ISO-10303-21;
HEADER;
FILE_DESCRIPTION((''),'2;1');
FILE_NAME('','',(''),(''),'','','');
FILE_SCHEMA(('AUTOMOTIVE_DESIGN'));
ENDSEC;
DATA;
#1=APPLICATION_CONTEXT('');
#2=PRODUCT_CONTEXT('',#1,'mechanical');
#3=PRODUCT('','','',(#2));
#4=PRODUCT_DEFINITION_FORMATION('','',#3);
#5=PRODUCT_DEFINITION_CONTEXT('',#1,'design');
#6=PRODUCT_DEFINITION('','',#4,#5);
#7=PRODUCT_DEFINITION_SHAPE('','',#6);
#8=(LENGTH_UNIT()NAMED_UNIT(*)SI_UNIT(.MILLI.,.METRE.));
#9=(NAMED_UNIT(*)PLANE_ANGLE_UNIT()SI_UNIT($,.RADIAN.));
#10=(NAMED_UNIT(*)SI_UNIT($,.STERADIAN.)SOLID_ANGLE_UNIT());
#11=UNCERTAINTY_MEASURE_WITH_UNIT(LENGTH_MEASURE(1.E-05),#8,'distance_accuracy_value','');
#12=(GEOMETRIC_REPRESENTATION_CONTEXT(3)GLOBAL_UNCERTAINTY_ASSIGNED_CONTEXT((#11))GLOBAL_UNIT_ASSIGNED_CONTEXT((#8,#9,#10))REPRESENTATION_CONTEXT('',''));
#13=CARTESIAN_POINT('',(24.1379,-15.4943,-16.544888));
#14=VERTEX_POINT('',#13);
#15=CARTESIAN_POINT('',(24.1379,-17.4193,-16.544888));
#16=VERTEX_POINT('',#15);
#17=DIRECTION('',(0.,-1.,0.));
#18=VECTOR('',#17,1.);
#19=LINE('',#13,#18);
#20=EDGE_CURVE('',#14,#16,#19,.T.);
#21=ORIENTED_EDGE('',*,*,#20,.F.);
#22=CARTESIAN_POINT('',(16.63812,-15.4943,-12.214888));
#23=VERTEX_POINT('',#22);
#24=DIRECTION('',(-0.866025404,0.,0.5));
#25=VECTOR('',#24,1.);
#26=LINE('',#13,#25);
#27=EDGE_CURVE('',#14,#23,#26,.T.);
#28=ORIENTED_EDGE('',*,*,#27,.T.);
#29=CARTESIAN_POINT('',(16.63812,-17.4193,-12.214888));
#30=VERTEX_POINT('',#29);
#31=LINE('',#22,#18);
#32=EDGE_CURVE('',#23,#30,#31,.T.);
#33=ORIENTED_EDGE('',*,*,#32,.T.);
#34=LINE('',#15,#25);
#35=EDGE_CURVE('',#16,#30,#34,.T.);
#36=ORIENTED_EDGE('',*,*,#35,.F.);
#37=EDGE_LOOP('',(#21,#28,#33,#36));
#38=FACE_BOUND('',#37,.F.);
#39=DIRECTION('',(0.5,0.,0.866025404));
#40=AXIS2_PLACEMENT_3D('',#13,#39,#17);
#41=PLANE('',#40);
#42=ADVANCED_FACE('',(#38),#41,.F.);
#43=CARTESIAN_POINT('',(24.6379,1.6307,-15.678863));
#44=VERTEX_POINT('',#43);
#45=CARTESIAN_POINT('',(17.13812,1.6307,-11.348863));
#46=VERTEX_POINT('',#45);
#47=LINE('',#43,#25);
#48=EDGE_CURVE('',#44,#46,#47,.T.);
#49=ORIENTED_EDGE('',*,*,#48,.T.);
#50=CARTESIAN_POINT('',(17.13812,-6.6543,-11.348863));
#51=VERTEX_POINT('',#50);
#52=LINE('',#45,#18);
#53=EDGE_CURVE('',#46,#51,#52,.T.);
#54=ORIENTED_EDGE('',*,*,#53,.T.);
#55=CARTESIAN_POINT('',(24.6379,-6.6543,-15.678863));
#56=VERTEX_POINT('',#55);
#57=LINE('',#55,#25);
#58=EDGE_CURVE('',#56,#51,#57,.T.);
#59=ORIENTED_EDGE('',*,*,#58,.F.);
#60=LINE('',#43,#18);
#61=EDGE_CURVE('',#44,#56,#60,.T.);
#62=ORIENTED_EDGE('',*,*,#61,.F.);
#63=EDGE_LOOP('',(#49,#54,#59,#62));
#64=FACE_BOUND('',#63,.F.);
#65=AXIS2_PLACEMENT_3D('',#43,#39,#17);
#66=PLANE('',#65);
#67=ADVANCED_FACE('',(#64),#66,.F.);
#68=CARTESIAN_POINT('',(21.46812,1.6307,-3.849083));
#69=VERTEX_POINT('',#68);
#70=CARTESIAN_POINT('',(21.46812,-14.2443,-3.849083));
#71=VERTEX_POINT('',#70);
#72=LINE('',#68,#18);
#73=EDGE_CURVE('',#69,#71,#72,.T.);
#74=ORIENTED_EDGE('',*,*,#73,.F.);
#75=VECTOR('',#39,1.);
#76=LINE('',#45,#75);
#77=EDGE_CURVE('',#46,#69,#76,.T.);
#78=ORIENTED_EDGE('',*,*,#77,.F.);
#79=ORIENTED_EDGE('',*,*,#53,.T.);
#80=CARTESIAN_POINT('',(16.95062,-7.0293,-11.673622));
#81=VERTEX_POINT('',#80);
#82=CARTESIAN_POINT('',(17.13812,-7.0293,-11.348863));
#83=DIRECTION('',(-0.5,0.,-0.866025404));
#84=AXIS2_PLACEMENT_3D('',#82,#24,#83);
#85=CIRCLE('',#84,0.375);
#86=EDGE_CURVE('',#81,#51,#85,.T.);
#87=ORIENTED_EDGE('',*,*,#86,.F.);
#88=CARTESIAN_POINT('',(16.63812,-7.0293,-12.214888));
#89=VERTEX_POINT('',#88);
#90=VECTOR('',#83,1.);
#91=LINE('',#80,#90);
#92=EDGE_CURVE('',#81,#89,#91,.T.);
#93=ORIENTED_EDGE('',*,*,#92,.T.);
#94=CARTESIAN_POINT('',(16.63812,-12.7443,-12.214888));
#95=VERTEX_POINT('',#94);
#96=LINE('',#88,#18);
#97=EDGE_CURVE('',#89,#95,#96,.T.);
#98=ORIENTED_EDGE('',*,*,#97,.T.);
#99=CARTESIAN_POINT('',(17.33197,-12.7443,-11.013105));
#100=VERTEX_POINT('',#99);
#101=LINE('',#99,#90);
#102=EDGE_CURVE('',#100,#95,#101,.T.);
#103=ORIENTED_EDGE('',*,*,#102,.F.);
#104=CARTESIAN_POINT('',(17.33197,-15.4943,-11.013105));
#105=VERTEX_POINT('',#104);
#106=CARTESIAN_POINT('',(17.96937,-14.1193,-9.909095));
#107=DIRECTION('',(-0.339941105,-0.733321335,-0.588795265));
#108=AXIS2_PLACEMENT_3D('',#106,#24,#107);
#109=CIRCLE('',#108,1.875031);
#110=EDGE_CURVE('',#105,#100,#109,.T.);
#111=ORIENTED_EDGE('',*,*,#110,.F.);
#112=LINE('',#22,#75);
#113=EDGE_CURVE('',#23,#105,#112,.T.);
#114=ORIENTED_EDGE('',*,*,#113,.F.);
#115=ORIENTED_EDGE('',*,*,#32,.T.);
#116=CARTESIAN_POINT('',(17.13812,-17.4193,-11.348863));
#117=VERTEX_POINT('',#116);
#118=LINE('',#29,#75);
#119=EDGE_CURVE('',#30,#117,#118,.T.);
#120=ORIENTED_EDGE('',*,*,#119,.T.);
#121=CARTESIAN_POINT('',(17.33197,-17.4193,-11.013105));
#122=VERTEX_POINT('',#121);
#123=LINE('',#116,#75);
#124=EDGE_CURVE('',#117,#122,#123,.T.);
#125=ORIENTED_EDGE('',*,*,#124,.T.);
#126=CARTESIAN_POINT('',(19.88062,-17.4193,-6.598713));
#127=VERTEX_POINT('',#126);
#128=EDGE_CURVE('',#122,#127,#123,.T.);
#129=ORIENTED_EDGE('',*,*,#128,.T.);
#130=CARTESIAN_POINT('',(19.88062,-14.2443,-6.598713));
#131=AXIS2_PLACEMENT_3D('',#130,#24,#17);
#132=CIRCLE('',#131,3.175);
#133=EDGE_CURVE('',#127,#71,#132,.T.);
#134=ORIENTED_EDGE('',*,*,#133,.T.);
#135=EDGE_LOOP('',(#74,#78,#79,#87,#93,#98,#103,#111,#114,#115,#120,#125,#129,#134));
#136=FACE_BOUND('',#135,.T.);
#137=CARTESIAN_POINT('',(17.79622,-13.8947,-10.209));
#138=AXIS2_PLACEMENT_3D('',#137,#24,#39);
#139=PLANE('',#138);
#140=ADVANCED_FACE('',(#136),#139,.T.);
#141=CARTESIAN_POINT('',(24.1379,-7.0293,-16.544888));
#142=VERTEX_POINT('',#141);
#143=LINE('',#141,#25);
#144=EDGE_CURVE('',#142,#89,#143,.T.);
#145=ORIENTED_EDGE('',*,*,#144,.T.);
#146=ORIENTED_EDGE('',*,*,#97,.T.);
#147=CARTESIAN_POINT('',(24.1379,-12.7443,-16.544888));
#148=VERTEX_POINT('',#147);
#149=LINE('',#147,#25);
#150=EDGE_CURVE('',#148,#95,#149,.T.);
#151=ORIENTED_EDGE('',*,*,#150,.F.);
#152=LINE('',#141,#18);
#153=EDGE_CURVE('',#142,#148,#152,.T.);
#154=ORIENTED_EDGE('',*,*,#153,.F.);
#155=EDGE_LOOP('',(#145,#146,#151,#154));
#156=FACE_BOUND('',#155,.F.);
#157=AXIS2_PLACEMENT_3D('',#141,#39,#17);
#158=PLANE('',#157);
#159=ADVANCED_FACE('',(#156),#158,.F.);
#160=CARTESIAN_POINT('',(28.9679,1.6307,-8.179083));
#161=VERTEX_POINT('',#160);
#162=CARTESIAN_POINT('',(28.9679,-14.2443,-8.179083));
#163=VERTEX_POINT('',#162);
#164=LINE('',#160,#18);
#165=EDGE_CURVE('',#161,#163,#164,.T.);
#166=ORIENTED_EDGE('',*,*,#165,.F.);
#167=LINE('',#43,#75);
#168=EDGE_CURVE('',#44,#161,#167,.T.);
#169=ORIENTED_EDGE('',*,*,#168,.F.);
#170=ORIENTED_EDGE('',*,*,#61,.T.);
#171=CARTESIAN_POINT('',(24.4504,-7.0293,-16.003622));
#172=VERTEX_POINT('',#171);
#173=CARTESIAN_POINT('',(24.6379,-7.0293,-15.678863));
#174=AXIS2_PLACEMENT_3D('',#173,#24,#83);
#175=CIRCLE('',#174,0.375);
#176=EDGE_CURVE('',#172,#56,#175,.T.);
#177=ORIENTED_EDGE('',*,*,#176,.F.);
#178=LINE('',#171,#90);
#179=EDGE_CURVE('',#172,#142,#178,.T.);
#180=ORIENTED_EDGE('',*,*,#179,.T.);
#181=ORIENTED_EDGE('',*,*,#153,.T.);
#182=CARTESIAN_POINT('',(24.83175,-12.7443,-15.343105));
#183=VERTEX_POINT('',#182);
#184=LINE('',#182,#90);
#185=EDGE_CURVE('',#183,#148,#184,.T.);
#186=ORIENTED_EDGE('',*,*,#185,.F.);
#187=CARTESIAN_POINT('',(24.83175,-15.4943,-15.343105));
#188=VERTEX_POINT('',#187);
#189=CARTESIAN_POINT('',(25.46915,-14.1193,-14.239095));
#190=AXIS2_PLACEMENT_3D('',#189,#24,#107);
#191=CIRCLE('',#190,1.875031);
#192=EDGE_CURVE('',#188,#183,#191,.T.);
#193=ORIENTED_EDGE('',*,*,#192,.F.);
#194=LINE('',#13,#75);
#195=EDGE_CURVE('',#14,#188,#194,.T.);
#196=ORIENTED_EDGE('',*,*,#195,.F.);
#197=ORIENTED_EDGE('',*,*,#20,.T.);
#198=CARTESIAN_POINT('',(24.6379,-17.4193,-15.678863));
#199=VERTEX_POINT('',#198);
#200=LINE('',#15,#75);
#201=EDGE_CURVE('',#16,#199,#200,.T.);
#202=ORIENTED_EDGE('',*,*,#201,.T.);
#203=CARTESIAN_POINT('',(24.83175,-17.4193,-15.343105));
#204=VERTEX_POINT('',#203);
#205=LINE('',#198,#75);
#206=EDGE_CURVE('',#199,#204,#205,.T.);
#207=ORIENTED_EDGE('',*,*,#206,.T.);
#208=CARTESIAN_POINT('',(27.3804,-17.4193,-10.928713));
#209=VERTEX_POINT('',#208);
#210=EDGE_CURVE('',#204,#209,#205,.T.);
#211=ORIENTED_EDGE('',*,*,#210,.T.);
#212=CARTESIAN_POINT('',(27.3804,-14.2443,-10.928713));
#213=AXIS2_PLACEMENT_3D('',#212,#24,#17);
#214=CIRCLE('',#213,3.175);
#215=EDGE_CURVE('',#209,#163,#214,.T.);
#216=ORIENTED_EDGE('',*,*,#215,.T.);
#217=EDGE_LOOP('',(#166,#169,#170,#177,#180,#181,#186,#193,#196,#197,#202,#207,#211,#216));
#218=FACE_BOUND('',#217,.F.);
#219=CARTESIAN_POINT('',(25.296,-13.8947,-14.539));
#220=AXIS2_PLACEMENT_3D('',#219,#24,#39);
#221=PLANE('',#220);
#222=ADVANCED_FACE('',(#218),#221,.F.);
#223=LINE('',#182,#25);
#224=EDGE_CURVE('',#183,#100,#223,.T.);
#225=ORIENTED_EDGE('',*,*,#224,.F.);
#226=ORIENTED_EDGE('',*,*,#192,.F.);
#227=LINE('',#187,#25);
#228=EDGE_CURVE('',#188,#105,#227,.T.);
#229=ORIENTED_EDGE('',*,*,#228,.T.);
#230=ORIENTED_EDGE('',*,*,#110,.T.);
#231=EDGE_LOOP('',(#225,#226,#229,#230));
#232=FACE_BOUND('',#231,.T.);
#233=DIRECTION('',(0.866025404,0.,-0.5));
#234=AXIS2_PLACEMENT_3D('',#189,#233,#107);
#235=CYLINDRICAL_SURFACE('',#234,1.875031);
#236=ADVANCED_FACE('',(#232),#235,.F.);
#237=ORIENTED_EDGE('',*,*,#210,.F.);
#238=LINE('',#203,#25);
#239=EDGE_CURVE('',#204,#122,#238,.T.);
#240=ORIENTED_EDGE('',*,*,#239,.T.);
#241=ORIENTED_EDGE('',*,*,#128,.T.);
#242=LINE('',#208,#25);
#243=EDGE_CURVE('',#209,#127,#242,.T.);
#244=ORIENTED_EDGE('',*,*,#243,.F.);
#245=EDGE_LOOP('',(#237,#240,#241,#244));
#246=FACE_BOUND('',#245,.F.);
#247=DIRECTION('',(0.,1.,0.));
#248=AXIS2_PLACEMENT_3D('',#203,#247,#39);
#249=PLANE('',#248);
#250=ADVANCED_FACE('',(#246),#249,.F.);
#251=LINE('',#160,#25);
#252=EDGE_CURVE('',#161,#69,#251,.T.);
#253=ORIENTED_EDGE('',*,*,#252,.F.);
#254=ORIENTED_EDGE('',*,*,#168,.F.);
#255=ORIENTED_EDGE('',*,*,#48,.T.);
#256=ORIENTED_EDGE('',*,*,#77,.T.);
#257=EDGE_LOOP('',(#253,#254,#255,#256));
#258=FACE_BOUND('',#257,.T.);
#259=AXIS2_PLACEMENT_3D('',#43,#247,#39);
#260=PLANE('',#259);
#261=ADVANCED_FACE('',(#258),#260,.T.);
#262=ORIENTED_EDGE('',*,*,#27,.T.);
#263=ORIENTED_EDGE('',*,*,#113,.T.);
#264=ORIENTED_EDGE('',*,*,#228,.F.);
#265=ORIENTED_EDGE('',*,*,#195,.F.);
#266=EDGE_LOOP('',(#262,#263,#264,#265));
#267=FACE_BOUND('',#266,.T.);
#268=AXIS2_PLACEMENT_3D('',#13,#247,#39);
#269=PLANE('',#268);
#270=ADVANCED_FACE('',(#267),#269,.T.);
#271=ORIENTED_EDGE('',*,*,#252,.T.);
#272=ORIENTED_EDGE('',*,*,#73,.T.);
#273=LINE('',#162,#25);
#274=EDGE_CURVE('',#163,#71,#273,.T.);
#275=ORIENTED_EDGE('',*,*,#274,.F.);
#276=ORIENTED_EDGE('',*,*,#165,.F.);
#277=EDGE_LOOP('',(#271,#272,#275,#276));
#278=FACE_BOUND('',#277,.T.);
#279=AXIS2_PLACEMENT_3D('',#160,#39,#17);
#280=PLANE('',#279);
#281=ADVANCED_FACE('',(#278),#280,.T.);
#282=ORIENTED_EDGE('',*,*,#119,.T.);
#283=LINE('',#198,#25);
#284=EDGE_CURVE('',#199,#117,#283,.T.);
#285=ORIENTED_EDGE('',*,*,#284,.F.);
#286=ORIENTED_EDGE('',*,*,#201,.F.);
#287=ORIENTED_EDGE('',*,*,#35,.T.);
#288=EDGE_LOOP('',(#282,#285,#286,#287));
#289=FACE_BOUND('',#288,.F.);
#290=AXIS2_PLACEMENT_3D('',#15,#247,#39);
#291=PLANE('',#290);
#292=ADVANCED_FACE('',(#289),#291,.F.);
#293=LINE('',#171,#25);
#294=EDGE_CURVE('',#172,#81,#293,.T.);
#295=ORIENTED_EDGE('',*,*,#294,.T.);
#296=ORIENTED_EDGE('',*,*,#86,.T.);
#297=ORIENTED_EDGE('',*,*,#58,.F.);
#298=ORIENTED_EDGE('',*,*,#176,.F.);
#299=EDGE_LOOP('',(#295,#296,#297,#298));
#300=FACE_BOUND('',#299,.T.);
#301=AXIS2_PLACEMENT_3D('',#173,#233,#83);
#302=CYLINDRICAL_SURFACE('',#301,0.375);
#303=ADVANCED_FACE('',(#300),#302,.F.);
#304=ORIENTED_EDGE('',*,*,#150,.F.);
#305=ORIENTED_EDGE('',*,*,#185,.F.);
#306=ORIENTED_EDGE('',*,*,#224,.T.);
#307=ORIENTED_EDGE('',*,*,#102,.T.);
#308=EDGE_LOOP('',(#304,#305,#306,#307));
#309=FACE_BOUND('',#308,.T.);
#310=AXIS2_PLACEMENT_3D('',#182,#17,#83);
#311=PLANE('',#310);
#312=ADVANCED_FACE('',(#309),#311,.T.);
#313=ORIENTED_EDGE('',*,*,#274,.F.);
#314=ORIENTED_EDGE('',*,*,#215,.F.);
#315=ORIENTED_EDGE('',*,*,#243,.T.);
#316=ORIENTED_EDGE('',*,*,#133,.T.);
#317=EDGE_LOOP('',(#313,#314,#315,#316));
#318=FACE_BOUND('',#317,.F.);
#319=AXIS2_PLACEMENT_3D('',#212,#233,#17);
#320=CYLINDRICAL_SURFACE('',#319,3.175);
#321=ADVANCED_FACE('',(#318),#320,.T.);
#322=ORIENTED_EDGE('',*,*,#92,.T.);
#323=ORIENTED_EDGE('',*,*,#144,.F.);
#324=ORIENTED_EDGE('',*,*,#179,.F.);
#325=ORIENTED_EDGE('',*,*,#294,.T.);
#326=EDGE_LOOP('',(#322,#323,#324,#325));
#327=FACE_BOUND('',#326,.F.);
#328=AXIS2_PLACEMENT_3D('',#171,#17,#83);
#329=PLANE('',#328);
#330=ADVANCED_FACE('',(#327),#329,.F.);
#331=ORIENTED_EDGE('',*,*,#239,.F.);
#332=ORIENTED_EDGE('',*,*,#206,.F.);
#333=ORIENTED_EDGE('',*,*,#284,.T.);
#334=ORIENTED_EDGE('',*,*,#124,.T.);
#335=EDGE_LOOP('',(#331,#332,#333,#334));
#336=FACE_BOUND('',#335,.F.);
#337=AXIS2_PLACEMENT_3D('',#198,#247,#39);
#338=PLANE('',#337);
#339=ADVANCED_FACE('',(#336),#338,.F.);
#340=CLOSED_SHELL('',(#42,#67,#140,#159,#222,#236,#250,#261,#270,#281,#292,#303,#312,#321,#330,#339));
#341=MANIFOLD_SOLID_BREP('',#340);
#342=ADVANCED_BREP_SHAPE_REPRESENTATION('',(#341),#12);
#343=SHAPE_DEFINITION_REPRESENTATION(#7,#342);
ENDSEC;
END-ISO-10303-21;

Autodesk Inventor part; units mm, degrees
ref_plane "YZ Plane" through (0, 0, 0) normal (1, 0, 0) x (0, 1, 0)
ref_plane "XZ Plane" through (0, 0, 0) normal (0, 1, 0) x (-1, 0, 0)
ref_plane "Work Plane1" through (25.296, -13.8947, -14.539) normal (-0.866, 0, 0.5) x (0.5, 0, 0.866)
sketch "Sketch1" plane through (25.296, -13.8947, -14.539) normal (-0.866, 0, 0.5) x (0.5, 0, 0.866)
  line L0 (-1.3162, -3.5246) -> (4.1688, -3.5246)
  arc A0 (-0.9285, -1.5996) -> (-0.9285, 1.1504) centre (0.3463, -0.2246) ccw
  line L1 (-0.9285, 1.1504) -> (-2.3162, 1.1504)
  line L2 (-2.3162, -1.5996) -> (-0.9285, -1.5996)
  line L3 (-1.3162, 15.5254) -> (-1.3162, 7.2404)
  line L4 (7.3438, 15.5254) -> (7.3438, -0.3496)
  arc A1 (4.1688, -3.5246) -> (7.3438, -0.3496) centre (4.1688, -0.3496) ccw
  line L5 (-1.3162, 15.5254) -> (7.3438, 15.5254)
  line L6 (-1.6912, 6.8654) -> (-2.3162, 6.8654)
  line L7 (-2.3162, -3.5246) -> (-0.9285, -3.5246)
  line L8 (-2.3162, 6.8654) -> (-2.3162, 1.1504)
  line L9 (-2.3162, -1.5996) -> (-2.3162, -3.5246)
  arc A2 (-1.6912, 6.8654) -> (-1.3162, 7.2404) centre (-1.3162, 6.8654) ccw
  point P0 (-1.3162, -1.5996)
  point P1 (-1.3162, 1.1504)
  dimension "d2" = 3.175
  dimension "d9" = 8.66
  dimension "d10" = 19.05
  dimension "d12" = 15.75
  dimension "d13" = 1.875
  dimension "d14" = 1.375
  dimension "d15" = 1.375
  dimension "d16" = 0.75
  dimension "d17" = 1
extrude "Extrusion1" add sketch "Sketch1" along normal blind 8.66
properties part number "Servo_Mount"
